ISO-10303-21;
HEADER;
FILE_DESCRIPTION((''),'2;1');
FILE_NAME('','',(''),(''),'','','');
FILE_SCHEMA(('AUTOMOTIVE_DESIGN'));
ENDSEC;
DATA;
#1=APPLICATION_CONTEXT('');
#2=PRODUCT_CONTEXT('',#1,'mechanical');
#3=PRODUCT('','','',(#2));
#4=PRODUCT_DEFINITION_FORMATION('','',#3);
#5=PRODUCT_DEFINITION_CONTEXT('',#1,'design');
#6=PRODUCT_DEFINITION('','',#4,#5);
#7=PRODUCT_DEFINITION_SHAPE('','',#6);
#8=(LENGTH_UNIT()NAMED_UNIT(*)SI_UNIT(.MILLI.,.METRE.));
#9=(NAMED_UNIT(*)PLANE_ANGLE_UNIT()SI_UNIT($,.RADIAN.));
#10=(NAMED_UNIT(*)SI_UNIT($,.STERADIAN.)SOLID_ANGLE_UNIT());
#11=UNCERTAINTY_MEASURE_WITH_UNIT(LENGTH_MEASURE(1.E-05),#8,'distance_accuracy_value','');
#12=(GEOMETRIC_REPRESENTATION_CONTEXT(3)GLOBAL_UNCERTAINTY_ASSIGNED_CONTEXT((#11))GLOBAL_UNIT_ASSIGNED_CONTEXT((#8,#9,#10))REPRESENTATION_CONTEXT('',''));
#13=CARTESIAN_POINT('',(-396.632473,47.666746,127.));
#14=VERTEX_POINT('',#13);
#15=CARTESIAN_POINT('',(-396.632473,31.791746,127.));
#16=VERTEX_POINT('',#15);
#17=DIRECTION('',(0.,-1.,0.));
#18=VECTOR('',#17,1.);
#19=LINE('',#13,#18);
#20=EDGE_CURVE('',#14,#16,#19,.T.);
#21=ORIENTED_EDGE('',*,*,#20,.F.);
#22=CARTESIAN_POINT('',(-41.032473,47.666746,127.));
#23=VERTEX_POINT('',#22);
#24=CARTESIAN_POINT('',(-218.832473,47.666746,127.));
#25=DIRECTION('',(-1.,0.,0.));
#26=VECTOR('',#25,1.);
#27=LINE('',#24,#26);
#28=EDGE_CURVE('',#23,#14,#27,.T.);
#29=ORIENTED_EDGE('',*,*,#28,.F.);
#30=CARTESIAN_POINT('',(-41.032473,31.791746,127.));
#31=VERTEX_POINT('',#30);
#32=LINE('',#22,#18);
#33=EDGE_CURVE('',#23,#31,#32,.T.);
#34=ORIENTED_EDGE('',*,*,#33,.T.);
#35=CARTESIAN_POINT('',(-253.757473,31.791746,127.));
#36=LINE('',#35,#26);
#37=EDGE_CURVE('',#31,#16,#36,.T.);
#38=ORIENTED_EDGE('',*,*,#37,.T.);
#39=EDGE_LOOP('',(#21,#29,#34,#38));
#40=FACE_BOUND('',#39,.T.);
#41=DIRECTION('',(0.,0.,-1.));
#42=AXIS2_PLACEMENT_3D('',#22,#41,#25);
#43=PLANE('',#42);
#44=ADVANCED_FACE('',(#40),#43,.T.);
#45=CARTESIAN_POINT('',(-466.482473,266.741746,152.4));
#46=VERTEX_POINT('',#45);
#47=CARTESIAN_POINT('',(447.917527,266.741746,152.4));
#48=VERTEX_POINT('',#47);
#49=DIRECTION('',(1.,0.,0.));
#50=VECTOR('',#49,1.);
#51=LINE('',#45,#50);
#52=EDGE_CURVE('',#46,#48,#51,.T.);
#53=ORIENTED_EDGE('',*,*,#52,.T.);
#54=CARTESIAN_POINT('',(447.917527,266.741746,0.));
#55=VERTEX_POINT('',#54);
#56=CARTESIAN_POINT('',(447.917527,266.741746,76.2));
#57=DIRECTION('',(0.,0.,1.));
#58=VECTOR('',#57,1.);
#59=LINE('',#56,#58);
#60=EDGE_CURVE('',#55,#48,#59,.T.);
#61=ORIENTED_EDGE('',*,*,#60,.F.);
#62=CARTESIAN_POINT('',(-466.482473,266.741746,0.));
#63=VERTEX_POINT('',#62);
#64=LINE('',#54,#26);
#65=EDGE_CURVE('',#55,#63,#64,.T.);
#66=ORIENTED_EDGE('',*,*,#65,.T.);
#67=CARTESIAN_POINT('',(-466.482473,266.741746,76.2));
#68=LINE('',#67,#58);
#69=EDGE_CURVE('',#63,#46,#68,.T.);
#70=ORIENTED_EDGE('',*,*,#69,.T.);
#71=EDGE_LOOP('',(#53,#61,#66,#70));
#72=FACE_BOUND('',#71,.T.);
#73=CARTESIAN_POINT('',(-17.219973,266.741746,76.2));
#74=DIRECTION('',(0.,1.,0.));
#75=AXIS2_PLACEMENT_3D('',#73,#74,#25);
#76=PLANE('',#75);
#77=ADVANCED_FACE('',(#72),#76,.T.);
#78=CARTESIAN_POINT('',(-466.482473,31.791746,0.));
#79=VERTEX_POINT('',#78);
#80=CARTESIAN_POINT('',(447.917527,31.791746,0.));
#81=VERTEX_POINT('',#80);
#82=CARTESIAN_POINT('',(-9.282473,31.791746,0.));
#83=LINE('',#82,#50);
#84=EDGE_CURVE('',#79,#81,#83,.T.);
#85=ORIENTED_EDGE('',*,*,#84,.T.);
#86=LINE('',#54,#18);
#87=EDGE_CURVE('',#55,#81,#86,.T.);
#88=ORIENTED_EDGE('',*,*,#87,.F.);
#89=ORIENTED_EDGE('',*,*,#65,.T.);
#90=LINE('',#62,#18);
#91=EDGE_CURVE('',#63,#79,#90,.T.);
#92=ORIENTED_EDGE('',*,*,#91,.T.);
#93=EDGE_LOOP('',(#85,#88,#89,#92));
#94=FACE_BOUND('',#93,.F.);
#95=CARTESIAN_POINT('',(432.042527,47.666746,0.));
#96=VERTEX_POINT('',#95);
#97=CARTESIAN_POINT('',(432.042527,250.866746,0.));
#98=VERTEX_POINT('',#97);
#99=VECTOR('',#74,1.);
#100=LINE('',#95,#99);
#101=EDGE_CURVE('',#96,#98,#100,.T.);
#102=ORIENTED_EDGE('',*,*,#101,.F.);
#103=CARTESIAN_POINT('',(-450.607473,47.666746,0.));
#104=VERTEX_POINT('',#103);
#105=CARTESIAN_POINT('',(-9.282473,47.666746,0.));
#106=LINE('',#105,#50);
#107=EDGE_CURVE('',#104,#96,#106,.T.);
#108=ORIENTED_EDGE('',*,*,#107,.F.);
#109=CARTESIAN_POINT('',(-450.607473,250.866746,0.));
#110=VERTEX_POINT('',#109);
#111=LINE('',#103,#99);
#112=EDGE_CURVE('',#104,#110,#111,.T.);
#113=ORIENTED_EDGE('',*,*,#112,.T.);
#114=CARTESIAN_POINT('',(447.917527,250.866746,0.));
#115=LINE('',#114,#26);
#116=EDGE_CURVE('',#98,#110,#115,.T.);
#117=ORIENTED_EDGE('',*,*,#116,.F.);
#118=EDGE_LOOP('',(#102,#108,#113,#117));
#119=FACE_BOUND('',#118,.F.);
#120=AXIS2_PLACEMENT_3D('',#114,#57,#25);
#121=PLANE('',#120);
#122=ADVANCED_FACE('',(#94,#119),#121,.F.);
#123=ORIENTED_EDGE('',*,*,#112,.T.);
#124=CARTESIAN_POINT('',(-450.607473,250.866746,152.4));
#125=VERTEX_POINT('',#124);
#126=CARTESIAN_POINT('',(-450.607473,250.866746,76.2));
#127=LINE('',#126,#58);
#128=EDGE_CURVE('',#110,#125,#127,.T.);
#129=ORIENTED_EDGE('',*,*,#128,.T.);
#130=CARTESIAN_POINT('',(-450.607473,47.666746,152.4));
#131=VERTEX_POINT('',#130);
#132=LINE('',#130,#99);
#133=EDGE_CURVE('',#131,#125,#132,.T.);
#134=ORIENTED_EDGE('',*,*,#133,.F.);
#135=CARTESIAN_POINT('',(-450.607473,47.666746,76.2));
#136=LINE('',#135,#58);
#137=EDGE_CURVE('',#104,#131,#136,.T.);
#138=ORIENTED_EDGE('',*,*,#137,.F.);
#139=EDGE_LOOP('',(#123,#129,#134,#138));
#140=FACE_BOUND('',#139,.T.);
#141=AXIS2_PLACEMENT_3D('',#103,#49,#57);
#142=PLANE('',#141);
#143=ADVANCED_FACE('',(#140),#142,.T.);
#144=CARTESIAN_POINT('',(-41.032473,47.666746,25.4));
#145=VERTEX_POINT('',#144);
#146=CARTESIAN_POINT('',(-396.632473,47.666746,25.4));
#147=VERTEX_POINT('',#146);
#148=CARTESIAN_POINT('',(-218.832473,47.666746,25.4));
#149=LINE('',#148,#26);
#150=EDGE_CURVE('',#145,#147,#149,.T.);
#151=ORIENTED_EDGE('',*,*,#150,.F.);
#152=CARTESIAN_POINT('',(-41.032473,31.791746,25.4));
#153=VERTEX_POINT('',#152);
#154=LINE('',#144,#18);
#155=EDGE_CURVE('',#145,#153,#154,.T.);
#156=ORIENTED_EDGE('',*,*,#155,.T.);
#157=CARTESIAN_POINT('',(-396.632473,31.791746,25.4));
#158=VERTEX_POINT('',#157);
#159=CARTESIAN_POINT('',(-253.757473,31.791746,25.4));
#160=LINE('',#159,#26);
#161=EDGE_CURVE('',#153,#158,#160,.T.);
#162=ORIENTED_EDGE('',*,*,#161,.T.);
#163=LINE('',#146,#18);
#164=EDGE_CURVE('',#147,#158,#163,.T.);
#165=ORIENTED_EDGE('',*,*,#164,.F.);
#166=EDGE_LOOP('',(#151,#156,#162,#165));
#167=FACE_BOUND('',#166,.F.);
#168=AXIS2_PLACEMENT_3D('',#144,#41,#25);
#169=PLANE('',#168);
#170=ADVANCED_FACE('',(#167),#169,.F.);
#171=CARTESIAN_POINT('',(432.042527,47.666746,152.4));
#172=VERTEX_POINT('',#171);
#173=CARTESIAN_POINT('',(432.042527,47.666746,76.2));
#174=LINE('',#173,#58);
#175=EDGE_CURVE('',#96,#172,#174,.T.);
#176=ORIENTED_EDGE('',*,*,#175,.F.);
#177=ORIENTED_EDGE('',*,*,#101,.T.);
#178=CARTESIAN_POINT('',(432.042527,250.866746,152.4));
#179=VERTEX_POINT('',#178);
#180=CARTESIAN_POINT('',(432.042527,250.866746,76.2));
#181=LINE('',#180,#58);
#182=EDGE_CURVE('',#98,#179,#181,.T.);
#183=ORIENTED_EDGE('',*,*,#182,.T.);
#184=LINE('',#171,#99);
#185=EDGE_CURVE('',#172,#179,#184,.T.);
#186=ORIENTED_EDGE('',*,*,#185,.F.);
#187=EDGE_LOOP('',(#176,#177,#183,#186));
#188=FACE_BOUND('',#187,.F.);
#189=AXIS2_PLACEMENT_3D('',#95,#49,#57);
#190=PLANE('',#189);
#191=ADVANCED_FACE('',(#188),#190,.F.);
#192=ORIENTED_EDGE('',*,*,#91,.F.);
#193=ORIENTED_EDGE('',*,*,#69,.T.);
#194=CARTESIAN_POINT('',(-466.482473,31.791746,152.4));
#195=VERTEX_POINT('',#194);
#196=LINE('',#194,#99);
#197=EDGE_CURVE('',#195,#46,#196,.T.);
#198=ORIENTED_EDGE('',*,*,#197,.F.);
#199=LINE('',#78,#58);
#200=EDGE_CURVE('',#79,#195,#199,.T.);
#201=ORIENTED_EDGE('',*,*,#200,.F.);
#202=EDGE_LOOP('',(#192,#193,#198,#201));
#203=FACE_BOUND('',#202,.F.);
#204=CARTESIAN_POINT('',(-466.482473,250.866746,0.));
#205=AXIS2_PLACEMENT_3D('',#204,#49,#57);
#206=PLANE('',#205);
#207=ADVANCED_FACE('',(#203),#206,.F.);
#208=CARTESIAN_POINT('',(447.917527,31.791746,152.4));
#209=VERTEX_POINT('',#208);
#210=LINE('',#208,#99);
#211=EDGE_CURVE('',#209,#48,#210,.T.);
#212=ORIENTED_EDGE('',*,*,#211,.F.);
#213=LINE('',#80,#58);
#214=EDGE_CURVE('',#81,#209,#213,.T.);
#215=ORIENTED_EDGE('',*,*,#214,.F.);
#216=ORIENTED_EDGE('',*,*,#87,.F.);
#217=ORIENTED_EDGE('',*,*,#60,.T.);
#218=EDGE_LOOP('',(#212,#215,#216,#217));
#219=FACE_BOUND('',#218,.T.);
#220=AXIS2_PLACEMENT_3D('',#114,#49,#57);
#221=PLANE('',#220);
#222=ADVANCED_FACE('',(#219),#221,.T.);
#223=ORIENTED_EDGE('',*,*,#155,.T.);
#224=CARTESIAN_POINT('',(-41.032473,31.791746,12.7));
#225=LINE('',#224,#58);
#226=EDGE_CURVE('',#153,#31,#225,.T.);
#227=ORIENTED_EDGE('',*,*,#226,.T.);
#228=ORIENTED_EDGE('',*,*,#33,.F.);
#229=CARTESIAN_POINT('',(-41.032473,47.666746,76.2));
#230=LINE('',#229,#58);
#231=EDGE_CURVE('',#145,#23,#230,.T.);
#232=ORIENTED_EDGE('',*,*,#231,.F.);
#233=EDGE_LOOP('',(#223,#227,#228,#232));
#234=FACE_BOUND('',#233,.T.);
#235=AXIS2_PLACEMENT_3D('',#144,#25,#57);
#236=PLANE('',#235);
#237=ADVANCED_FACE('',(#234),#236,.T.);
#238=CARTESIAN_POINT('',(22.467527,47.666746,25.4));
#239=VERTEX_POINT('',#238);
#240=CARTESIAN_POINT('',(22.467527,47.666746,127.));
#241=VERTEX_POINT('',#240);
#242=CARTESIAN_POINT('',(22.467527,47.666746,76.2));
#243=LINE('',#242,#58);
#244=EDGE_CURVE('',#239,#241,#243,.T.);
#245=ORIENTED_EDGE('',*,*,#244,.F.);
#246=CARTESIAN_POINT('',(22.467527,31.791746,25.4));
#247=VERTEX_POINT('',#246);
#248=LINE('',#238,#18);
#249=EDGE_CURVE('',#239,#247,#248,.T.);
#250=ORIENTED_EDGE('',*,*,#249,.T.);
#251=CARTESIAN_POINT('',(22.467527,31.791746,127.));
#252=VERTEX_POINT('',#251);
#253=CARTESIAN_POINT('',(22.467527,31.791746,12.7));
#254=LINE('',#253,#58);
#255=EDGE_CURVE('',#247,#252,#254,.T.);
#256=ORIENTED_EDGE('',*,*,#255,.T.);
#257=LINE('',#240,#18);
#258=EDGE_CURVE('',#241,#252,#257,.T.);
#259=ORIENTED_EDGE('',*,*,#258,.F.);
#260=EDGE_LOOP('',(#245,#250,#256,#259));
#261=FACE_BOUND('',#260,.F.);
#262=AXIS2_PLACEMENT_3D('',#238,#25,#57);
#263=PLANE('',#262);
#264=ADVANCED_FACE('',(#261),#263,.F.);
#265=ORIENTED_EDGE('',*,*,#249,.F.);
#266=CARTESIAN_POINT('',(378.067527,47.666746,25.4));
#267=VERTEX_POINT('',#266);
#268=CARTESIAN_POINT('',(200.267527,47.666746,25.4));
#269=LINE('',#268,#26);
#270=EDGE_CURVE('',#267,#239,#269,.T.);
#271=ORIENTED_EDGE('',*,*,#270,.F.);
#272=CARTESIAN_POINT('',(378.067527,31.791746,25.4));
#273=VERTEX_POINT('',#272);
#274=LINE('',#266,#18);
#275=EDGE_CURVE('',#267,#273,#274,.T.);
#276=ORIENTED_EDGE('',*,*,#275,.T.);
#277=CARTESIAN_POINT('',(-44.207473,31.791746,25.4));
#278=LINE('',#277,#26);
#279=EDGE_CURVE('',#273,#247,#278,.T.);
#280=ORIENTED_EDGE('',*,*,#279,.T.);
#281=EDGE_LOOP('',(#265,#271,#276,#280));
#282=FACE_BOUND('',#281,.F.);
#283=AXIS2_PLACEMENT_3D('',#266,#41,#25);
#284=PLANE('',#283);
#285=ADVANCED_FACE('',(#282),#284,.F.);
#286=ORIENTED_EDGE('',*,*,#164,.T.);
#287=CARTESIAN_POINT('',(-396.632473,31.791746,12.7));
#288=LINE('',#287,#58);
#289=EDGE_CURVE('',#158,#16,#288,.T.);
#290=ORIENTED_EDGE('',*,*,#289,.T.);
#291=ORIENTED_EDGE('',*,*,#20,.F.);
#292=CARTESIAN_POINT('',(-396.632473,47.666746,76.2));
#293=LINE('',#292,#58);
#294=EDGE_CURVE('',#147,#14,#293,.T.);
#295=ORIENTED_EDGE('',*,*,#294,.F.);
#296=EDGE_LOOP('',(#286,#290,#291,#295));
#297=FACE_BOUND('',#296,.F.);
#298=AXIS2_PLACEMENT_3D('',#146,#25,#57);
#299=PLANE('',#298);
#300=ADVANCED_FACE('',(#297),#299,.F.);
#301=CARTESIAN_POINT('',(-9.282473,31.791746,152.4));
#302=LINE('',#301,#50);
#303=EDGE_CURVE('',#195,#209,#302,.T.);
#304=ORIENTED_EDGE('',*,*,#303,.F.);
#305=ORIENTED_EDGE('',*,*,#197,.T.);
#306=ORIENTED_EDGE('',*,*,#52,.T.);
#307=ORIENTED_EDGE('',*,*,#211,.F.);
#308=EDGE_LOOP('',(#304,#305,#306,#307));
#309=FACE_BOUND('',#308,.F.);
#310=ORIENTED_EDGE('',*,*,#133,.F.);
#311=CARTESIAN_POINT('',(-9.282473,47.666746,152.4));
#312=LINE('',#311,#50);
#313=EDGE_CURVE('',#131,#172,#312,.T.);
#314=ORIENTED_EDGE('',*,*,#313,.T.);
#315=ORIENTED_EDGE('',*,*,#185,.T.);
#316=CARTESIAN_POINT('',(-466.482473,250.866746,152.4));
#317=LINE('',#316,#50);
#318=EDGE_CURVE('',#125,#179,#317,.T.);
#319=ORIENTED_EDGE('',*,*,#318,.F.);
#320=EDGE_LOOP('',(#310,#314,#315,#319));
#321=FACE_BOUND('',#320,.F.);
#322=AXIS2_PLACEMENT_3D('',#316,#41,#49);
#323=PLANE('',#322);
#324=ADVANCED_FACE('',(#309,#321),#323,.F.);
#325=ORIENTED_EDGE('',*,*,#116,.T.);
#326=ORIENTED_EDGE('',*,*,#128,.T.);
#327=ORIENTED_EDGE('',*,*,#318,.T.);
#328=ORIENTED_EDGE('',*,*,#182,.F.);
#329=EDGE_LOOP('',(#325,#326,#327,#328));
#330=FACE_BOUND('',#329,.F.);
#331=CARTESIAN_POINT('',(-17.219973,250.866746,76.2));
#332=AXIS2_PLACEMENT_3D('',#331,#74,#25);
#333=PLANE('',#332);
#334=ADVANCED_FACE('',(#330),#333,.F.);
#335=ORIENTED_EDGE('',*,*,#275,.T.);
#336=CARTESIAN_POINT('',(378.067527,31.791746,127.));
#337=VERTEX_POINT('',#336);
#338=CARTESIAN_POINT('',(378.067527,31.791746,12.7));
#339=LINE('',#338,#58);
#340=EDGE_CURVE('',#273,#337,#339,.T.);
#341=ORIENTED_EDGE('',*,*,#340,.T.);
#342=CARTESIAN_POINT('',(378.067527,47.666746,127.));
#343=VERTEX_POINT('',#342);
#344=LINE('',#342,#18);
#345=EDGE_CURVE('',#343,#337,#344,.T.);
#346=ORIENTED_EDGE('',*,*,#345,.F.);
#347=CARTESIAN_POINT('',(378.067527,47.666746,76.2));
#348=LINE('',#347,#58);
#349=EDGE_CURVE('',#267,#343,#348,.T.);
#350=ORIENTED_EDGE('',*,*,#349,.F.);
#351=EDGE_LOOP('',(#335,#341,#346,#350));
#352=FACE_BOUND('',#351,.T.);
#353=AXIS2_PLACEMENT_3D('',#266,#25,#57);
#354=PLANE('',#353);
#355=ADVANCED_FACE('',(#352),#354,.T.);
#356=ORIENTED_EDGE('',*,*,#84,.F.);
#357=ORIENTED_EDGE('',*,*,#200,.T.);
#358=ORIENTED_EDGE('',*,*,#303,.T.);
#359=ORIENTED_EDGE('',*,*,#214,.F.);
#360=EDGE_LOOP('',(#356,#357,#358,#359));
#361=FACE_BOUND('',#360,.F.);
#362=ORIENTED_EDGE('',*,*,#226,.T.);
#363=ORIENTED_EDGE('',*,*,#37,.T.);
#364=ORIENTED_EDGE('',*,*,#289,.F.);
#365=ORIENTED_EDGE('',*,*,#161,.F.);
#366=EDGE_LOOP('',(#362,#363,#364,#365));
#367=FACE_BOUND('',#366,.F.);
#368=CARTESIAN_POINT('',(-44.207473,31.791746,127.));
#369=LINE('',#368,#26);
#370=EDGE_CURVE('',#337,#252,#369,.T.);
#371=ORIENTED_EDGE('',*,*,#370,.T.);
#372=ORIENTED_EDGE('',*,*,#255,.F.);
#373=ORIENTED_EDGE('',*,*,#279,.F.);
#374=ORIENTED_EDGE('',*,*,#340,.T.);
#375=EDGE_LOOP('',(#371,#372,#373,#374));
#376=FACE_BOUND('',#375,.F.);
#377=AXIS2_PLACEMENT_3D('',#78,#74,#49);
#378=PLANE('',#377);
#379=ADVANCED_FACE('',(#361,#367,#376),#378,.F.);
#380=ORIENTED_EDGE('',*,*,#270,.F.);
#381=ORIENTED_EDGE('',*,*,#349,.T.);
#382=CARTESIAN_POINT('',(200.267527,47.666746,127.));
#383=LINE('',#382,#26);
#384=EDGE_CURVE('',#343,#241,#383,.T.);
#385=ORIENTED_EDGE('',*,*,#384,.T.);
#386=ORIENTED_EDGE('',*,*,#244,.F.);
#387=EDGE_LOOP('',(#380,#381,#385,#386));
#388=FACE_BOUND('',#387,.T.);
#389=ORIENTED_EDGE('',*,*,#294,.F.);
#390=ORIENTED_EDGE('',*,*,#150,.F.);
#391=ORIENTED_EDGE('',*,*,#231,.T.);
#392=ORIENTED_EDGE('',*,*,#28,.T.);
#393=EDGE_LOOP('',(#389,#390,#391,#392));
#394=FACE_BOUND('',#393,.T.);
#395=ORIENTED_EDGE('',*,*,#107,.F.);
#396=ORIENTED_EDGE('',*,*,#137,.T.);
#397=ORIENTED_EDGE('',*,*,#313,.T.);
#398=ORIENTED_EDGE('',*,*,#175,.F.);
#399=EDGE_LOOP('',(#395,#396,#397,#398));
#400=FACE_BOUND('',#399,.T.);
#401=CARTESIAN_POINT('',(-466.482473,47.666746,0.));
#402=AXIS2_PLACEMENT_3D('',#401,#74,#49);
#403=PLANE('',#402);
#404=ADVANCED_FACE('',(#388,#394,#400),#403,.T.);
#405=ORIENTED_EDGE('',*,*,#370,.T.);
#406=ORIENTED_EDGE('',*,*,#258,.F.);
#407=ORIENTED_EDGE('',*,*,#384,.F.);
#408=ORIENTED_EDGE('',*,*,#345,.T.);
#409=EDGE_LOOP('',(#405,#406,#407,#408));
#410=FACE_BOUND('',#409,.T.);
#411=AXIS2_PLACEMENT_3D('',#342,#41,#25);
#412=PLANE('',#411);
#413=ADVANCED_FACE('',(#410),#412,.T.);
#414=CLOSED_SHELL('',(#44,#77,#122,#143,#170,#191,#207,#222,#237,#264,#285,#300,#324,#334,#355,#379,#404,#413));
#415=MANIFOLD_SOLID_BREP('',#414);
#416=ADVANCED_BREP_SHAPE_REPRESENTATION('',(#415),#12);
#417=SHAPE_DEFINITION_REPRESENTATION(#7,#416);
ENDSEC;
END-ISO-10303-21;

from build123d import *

# Parameters (mm, degrees)
F0_W     = 914.4
F0_H     = 15.875
F1_DEPTH = 152.4
F2_W     = 355.6
F2_H     = 101.6
F3_DEPTH = 25.4
F4_W     = 15.875
F4_H     = 152.4
F5_DEPTH = 203.2
F6_W     = 898.525
F6_H     = 152.4
F6_W_2   = 15.875
F7_DEPTH = 15.875


with BuildPart() as f1:
    # F0 (on Top) → F1 (new body)
    with BuildSketch(Plane.XY):
        with Locations((-9.282473, 39.729246)):
            Rectangle(F0_W, F0_H)
    extrude(amount=F1_DEPTH)

    # F2 (on face) → F3 (cut)
    with BuildSketch(Plane(origin=(0, 47.666746, 0), x_dir=(-1, 0, 0), z_dir=(0, 1, 0))):
        with Locations((-200.267527, 76.2)):
            Rectangle(F2_W, F2_H)
        with Locations((218.832473, 76.2)):
            Rectangle(F2_W, F2_H)
    extrude(amount=-F3_DEPTH, mode=Mode.SUBTRACT)

    # F4 (on face) → F5 (join)
    with BuildSketch(Plane(origin=(0, 47.666746, 0), x_dir=(-1, 0, 0), z_dir=(0, 1, 0))):
        with Locations((-439.980027, 76.2)):
            Rectangle(F4_W, F4_H)
        with Locations((458.544973, 76.2)):
            Rectangle(F4_W, F4_H)
    extrude(amount=F5_DEPTH)

    # F6 (on face) → F7 (join)
    with BuildSketch(Plane(origin=(0, 250.866746, 0), x_dir=(-1, 0, 0), z_dir=(0, 1, 0))):
        with Locations((17.219973, 76.2)):
            Rectangle(F6_W, F6_H)
        with Locations((-439.980027, 76.2)):
            Rectangle(F6_W_2, F6_H)
    extrude(amount=F7_DEPTH)


solid = f1.part
